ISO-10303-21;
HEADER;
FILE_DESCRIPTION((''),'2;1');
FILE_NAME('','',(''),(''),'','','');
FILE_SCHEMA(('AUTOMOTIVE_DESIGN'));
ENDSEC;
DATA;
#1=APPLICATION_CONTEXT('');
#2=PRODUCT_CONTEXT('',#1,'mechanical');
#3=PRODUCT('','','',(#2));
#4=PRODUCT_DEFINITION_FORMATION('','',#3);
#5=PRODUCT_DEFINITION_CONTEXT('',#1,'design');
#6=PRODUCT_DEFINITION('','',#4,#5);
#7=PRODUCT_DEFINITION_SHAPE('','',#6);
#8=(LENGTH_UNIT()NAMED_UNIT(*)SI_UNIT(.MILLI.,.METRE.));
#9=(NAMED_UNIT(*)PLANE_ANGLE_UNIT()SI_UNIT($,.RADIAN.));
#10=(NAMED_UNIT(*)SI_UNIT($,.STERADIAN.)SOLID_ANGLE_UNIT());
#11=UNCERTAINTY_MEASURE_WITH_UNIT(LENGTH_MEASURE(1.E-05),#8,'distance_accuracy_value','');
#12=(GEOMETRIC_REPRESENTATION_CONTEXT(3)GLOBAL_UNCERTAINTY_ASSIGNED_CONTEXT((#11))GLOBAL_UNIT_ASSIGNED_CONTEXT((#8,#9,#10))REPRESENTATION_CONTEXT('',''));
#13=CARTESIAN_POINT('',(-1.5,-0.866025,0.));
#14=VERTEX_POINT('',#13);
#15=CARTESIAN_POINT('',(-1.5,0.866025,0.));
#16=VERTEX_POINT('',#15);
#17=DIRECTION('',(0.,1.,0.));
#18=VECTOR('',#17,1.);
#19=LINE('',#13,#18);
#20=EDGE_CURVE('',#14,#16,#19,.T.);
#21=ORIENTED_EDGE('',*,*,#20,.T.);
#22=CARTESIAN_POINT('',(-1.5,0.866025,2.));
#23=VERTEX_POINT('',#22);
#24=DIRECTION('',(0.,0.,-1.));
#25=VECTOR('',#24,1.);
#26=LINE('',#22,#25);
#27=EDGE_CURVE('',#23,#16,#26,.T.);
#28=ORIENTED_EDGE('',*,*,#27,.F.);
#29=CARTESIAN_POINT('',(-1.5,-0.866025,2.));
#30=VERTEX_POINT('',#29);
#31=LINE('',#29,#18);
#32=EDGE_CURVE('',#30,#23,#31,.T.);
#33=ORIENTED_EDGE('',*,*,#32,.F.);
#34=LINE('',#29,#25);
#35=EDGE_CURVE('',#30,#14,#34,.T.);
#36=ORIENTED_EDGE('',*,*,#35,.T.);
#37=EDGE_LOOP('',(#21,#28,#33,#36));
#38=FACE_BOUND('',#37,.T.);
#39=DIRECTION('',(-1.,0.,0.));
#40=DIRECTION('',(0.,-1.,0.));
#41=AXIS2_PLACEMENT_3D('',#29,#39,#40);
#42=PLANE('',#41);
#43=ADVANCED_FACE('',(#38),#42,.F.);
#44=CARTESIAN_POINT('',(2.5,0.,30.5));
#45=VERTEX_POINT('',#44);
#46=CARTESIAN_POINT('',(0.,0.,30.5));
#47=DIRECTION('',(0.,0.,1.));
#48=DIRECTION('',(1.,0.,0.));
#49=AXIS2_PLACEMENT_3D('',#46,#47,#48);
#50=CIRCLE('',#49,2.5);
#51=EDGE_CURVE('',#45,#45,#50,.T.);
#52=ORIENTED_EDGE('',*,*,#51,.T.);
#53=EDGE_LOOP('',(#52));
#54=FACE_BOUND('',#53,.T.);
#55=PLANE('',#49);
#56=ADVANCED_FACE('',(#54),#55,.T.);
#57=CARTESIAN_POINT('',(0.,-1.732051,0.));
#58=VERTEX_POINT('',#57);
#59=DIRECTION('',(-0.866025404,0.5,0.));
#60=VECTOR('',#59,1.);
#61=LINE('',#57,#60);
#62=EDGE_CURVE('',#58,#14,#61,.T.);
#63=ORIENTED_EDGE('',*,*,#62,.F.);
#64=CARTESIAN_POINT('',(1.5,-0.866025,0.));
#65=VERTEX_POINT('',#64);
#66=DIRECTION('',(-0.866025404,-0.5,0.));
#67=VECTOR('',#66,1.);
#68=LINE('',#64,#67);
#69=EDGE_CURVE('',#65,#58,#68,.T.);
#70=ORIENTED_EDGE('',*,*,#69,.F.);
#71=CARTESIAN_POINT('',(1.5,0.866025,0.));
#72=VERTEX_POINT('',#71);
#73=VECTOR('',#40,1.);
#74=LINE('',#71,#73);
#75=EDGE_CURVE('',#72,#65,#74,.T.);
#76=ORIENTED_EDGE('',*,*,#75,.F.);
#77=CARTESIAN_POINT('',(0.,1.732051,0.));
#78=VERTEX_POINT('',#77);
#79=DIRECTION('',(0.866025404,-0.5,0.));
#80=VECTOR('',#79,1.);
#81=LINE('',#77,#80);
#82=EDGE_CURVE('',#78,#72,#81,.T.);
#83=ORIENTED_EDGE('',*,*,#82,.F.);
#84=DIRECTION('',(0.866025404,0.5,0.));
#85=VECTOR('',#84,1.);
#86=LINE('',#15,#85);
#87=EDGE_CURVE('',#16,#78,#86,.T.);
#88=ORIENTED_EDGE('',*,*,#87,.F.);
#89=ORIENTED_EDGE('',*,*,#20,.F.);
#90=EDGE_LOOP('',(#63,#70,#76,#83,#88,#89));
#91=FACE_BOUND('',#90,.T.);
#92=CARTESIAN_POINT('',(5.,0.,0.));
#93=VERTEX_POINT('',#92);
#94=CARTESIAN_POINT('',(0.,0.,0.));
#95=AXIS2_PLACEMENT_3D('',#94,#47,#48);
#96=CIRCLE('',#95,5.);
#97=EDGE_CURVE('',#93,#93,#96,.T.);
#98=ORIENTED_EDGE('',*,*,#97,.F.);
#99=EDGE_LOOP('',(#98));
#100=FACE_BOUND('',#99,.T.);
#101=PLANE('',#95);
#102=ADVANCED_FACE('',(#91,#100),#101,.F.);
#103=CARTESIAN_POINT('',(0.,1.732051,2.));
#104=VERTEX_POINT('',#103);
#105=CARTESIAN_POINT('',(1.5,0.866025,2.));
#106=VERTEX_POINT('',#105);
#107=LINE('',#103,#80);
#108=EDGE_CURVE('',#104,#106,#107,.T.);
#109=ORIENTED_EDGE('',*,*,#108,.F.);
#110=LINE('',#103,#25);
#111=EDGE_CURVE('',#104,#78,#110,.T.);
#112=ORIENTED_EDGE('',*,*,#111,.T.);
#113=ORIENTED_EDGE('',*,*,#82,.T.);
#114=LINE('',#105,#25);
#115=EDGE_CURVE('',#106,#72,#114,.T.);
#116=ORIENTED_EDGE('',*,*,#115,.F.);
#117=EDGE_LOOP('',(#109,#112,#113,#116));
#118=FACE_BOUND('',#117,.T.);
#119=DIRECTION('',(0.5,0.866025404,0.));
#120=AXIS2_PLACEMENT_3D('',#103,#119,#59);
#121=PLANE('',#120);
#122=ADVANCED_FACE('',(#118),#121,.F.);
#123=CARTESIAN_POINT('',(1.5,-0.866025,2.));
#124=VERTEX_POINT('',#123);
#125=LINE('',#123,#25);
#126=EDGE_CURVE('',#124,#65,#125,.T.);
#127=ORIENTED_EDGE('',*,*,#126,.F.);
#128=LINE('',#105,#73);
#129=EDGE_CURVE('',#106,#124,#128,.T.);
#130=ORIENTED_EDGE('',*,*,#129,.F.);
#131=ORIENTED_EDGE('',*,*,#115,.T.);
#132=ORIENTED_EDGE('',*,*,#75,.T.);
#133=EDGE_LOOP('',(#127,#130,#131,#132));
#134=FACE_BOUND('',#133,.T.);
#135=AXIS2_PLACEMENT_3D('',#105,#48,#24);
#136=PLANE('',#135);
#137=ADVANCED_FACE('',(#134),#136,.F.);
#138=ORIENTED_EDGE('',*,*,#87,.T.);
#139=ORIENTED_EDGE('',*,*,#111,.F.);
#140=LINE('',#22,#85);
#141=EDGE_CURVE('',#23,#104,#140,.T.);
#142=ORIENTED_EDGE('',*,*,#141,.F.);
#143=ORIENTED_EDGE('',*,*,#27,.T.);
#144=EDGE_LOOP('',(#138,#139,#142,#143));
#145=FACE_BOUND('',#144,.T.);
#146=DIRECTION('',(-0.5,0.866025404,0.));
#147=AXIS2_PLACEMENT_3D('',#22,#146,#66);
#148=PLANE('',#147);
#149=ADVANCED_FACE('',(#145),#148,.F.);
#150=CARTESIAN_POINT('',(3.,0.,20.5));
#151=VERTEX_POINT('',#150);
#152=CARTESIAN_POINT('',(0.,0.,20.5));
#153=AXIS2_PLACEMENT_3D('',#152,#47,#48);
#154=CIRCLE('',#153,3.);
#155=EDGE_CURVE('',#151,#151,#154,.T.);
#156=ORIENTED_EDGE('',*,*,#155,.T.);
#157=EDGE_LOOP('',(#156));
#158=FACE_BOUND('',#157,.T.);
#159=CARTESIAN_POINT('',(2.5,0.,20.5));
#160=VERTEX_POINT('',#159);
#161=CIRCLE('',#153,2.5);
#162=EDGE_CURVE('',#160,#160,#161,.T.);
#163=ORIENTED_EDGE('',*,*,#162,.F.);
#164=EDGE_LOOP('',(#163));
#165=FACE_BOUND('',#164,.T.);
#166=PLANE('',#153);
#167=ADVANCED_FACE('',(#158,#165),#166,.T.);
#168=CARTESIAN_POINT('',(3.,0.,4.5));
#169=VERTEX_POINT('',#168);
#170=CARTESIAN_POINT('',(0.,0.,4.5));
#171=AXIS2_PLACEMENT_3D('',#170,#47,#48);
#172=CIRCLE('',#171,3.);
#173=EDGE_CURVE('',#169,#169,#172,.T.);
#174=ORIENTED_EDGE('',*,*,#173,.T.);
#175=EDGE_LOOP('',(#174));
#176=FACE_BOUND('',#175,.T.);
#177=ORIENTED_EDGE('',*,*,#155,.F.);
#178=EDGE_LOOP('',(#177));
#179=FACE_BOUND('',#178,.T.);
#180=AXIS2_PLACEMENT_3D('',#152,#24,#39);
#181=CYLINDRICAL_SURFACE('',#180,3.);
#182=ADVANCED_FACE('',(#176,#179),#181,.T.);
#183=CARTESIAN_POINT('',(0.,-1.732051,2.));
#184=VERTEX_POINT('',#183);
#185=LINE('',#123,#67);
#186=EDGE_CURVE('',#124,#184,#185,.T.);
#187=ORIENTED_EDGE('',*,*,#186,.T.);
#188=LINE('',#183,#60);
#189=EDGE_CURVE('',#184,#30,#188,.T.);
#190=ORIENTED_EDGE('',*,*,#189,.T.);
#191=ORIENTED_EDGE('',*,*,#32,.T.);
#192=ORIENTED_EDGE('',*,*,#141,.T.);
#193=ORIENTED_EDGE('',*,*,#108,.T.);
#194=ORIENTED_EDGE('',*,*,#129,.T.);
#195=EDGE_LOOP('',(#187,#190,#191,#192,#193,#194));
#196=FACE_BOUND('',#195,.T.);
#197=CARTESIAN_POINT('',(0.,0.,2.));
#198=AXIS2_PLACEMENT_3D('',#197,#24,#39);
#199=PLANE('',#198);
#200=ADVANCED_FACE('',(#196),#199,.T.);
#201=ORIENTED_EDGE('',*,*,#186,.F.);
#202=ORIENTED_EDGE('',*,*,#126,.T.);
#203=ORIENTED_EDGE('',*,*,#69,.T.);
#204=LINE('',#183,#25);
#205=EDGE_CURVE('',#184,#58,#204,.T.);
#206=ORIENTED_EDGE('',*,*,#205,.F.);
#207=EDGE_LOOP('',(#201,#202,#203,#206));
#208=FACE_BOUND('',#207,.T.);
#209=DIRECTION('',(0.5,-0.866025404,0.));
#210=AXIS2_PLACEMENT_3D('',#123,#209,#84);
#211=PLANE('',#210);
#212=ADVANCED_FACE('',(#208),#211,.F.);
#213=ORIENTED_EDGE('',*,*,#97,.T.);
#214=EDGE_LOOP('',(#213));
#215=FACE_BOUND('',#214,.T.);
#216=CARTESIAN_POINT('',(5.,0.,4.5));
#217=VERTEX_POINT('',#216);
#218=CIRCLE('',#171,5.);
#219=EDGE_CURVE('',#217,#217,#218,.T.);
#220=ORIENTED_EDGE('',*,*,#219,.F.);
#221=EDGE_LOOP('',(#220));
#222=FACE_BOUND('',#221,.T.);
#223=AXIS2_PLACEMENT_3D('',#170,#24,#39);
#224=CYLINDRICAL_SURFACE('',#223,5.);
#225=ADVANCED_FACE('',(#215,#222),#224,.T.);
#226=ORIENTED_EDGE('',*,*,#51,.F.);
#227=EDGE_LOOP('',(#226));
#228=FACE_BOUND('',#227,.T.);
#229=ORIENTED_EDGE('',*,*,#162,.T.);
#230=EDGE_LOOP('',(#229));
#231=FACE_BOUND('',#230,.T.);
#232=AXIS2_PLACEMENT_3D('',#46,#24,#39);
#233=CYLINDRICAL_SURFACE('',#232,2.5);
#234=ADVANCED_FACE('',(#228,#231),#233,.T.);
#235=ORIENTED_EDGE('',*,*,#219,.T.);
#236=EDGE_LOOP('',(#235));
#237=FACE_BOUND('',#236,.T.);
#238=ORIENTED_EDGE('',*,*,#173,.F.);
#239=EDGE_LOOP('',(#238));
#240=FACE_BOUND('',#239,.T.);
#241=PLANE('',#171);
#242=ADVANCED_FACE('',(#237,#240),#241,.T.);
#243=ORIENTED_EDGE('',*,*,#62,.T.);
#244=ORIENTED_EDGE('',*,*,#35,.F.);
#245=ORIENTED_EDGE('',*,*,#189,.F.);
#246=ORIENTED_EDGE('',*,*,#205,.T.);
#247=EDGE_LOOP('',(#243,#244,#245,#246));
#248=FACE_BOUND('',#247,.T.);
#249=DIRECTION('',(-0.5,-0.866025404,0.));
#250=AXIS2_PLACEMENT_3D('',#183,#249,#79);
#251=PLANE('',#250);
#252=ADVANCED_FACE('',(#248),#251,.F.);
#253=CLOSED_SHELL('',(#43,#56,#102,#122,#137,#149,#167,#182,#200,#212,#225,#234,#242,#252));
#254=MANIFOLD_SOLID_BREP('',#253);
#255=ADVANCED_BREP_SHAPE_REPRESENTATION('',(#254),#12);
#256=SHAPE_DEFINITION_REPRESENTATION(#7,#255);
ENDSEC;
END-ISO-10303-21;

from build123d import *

# Parameters (mm, degrees)
SKETCH_1_R          = 5
EXTRUDE_1_DEPTH     = 4.5
CUT_EXTRUDE_1_DEPTH = 2
SKETCH_3_R          = 3
EXTRUDE_2_DEPTH     = 16
SKETCH_4_R          = 2.5
EXTRUDE_3_DEPTH     = 10


with BuildPart() as part:
    # 草图1 → 凸台-拉伸1 (new body)
    with BuildSketch(Plane.XY):
        Circle(SKETCH_1_R)
    extrude(amount=EXTRUDE_1_DEPTH)

    # 草图2 → 切除-拉伸1 (cut)
    with BuildSketch(Plane(origin=(0, 0, 0), x_dir=(-1, 0, 0), z_dir=(0, 0, -1))):
        Polygon((1.5, -0.866025404), (1.5, 0.866025404), (0, 1.732050808), (-1.5, 0.866025404), (-1.5, -0.866025404), (0, -1.732050808), align=None)
    extrude(amount=-CUT_EXTRUDE_1_DEPTH, mode=Mode.SUBTRACT)

    # 草图3 → 凸台-拉伸2 (add)
    with BuildSketch(Plane.XY.offset(4.5)):
        Circle(SKETCH_3_R)
    extrude(amount=EXTRUDE_2_DEPTH)

    # 草图4 → 凸台-拉伸3 (add)
    with BuildSketch(Plane.XY.offset(20.5)):
        Circle(SKETCH_4_R)
    extrude(amount=EXTRUDE_3_DEPTH)


solid = part.part
